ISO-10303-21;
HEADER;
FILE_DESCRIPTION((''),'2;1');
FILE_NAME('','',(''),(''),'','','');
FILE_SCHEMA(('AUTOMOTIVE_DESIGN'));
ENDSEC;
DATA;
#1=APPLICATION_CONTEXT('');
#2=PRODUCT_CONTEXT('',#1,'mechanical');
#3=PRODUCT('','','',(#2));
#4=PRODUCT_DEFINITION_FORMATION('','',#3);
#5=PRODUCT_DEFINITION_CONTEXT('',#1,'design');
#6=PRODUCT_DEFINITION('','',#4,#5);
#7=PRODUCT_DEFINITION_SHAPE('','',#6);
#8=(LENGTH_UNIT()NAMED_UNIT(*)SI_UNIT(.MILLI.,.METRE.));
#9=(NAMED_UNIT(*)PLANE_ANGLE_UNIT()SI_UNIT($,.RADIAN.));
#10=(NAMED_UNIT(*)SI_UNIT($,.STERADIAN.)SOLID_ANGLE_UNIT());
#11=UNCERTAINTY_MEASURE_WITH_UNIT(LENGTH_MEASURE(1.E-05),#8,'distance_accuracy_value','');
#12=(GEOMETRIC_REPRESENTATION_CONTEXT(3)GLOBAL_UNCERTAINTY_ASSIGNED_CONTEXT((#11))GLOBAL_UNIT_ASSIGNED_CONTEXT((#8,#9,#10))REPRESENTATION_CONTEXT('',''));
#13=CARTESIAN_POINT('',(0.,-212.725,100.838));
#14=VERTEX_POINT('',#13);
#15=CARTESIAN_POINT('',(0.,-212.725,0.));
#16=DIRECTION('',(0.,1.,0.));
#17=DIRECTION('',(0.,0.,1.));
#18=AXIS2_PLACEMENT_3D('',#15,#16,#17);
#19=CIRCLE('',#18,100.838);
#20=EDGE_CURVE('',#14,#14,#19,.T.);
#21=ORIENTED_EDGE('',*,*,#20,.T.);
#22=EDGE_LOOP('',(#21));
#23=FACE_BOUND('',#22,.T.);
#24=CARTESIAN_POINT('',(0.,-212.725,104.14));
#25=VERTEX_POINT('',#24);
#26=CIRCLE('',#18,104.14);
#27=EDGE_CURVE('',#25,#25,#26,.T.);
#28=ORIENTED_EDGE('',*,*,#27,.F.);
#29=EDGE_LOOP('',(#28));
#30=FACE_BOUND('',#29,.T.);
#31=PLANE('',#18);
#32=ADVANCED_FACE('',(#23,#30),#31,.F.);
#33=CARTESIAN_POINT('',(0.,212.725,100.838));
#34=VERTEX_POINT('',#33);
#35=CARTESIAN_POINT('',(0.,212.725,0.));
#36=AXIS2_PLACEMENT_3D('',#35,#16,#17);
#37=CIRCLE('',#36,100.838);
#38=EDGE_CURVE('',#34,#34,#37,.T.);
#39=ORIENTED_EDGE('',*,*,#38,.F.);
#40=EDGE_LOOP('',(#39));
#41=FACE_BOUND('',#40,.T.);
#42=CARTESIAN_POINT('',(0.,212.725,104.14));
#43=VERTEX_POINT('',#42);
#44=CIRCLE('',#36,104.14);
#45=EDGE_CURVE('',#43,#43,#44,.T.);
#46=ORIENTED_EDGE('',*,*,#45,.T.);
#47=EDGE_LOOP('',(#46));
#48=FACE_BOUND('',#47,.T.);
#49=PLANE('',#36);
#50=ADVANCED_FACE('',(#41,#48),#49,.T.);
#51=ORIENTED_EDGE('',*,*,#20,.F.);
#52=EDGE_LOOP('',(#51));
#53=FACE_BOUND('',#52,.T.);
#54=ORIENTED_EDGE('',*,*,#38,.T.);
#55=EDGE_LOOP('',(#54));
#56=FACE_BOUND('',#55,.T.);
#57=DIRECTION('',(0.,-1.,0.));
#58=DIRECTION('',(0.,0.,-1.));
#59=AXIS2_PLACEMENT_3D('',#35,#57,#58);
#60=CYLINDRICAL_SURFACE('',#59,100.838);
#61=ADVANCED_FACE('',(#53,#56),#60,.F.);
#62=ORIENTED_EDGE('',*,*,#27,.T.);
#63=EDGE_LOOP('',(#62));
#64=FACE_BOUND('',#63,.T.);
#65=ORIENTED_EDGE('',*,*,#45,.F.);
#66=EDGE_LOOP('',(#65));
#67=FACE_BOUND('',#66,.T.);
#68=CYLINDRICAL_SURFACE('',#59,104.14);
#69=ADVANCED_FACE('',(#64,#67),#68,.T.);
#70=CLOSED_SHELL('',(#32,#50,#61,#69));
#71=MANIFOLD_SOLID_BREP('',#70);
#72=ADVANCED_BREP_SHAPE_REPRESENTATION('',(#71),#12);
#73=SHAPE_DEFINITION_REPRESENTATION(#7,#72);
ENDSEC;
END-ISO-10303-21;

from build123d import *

# Parameters (mm, degrees)
SKETCH1_R           = 104.14
SKETCH1_R_2         = 100.838
BOSS_EXTRUDE1_DEPTH = 212.725


with BuildPart() as part:
    # Sketch1 → Boss-Extrude1 (new, symmetric)
    with BuildSketch(Plane(origin=(0, 0, 0), x_dir=(1, 0, 0), z_dir=(0, 1, 0))):
        with Locations(Location((0, 0, 0), (0, 0, 270))):
            Circle(SKETCH1_R)
        with Locations(Location((0, 0, 0), (0, 0, 270))):
            Circle(SKETCH1_R_2, mode=Mode.SUBTRACT)
    extrude(amount=BOSS_EXTRUDE1_DEPTH, both=True)


solid = part.part
